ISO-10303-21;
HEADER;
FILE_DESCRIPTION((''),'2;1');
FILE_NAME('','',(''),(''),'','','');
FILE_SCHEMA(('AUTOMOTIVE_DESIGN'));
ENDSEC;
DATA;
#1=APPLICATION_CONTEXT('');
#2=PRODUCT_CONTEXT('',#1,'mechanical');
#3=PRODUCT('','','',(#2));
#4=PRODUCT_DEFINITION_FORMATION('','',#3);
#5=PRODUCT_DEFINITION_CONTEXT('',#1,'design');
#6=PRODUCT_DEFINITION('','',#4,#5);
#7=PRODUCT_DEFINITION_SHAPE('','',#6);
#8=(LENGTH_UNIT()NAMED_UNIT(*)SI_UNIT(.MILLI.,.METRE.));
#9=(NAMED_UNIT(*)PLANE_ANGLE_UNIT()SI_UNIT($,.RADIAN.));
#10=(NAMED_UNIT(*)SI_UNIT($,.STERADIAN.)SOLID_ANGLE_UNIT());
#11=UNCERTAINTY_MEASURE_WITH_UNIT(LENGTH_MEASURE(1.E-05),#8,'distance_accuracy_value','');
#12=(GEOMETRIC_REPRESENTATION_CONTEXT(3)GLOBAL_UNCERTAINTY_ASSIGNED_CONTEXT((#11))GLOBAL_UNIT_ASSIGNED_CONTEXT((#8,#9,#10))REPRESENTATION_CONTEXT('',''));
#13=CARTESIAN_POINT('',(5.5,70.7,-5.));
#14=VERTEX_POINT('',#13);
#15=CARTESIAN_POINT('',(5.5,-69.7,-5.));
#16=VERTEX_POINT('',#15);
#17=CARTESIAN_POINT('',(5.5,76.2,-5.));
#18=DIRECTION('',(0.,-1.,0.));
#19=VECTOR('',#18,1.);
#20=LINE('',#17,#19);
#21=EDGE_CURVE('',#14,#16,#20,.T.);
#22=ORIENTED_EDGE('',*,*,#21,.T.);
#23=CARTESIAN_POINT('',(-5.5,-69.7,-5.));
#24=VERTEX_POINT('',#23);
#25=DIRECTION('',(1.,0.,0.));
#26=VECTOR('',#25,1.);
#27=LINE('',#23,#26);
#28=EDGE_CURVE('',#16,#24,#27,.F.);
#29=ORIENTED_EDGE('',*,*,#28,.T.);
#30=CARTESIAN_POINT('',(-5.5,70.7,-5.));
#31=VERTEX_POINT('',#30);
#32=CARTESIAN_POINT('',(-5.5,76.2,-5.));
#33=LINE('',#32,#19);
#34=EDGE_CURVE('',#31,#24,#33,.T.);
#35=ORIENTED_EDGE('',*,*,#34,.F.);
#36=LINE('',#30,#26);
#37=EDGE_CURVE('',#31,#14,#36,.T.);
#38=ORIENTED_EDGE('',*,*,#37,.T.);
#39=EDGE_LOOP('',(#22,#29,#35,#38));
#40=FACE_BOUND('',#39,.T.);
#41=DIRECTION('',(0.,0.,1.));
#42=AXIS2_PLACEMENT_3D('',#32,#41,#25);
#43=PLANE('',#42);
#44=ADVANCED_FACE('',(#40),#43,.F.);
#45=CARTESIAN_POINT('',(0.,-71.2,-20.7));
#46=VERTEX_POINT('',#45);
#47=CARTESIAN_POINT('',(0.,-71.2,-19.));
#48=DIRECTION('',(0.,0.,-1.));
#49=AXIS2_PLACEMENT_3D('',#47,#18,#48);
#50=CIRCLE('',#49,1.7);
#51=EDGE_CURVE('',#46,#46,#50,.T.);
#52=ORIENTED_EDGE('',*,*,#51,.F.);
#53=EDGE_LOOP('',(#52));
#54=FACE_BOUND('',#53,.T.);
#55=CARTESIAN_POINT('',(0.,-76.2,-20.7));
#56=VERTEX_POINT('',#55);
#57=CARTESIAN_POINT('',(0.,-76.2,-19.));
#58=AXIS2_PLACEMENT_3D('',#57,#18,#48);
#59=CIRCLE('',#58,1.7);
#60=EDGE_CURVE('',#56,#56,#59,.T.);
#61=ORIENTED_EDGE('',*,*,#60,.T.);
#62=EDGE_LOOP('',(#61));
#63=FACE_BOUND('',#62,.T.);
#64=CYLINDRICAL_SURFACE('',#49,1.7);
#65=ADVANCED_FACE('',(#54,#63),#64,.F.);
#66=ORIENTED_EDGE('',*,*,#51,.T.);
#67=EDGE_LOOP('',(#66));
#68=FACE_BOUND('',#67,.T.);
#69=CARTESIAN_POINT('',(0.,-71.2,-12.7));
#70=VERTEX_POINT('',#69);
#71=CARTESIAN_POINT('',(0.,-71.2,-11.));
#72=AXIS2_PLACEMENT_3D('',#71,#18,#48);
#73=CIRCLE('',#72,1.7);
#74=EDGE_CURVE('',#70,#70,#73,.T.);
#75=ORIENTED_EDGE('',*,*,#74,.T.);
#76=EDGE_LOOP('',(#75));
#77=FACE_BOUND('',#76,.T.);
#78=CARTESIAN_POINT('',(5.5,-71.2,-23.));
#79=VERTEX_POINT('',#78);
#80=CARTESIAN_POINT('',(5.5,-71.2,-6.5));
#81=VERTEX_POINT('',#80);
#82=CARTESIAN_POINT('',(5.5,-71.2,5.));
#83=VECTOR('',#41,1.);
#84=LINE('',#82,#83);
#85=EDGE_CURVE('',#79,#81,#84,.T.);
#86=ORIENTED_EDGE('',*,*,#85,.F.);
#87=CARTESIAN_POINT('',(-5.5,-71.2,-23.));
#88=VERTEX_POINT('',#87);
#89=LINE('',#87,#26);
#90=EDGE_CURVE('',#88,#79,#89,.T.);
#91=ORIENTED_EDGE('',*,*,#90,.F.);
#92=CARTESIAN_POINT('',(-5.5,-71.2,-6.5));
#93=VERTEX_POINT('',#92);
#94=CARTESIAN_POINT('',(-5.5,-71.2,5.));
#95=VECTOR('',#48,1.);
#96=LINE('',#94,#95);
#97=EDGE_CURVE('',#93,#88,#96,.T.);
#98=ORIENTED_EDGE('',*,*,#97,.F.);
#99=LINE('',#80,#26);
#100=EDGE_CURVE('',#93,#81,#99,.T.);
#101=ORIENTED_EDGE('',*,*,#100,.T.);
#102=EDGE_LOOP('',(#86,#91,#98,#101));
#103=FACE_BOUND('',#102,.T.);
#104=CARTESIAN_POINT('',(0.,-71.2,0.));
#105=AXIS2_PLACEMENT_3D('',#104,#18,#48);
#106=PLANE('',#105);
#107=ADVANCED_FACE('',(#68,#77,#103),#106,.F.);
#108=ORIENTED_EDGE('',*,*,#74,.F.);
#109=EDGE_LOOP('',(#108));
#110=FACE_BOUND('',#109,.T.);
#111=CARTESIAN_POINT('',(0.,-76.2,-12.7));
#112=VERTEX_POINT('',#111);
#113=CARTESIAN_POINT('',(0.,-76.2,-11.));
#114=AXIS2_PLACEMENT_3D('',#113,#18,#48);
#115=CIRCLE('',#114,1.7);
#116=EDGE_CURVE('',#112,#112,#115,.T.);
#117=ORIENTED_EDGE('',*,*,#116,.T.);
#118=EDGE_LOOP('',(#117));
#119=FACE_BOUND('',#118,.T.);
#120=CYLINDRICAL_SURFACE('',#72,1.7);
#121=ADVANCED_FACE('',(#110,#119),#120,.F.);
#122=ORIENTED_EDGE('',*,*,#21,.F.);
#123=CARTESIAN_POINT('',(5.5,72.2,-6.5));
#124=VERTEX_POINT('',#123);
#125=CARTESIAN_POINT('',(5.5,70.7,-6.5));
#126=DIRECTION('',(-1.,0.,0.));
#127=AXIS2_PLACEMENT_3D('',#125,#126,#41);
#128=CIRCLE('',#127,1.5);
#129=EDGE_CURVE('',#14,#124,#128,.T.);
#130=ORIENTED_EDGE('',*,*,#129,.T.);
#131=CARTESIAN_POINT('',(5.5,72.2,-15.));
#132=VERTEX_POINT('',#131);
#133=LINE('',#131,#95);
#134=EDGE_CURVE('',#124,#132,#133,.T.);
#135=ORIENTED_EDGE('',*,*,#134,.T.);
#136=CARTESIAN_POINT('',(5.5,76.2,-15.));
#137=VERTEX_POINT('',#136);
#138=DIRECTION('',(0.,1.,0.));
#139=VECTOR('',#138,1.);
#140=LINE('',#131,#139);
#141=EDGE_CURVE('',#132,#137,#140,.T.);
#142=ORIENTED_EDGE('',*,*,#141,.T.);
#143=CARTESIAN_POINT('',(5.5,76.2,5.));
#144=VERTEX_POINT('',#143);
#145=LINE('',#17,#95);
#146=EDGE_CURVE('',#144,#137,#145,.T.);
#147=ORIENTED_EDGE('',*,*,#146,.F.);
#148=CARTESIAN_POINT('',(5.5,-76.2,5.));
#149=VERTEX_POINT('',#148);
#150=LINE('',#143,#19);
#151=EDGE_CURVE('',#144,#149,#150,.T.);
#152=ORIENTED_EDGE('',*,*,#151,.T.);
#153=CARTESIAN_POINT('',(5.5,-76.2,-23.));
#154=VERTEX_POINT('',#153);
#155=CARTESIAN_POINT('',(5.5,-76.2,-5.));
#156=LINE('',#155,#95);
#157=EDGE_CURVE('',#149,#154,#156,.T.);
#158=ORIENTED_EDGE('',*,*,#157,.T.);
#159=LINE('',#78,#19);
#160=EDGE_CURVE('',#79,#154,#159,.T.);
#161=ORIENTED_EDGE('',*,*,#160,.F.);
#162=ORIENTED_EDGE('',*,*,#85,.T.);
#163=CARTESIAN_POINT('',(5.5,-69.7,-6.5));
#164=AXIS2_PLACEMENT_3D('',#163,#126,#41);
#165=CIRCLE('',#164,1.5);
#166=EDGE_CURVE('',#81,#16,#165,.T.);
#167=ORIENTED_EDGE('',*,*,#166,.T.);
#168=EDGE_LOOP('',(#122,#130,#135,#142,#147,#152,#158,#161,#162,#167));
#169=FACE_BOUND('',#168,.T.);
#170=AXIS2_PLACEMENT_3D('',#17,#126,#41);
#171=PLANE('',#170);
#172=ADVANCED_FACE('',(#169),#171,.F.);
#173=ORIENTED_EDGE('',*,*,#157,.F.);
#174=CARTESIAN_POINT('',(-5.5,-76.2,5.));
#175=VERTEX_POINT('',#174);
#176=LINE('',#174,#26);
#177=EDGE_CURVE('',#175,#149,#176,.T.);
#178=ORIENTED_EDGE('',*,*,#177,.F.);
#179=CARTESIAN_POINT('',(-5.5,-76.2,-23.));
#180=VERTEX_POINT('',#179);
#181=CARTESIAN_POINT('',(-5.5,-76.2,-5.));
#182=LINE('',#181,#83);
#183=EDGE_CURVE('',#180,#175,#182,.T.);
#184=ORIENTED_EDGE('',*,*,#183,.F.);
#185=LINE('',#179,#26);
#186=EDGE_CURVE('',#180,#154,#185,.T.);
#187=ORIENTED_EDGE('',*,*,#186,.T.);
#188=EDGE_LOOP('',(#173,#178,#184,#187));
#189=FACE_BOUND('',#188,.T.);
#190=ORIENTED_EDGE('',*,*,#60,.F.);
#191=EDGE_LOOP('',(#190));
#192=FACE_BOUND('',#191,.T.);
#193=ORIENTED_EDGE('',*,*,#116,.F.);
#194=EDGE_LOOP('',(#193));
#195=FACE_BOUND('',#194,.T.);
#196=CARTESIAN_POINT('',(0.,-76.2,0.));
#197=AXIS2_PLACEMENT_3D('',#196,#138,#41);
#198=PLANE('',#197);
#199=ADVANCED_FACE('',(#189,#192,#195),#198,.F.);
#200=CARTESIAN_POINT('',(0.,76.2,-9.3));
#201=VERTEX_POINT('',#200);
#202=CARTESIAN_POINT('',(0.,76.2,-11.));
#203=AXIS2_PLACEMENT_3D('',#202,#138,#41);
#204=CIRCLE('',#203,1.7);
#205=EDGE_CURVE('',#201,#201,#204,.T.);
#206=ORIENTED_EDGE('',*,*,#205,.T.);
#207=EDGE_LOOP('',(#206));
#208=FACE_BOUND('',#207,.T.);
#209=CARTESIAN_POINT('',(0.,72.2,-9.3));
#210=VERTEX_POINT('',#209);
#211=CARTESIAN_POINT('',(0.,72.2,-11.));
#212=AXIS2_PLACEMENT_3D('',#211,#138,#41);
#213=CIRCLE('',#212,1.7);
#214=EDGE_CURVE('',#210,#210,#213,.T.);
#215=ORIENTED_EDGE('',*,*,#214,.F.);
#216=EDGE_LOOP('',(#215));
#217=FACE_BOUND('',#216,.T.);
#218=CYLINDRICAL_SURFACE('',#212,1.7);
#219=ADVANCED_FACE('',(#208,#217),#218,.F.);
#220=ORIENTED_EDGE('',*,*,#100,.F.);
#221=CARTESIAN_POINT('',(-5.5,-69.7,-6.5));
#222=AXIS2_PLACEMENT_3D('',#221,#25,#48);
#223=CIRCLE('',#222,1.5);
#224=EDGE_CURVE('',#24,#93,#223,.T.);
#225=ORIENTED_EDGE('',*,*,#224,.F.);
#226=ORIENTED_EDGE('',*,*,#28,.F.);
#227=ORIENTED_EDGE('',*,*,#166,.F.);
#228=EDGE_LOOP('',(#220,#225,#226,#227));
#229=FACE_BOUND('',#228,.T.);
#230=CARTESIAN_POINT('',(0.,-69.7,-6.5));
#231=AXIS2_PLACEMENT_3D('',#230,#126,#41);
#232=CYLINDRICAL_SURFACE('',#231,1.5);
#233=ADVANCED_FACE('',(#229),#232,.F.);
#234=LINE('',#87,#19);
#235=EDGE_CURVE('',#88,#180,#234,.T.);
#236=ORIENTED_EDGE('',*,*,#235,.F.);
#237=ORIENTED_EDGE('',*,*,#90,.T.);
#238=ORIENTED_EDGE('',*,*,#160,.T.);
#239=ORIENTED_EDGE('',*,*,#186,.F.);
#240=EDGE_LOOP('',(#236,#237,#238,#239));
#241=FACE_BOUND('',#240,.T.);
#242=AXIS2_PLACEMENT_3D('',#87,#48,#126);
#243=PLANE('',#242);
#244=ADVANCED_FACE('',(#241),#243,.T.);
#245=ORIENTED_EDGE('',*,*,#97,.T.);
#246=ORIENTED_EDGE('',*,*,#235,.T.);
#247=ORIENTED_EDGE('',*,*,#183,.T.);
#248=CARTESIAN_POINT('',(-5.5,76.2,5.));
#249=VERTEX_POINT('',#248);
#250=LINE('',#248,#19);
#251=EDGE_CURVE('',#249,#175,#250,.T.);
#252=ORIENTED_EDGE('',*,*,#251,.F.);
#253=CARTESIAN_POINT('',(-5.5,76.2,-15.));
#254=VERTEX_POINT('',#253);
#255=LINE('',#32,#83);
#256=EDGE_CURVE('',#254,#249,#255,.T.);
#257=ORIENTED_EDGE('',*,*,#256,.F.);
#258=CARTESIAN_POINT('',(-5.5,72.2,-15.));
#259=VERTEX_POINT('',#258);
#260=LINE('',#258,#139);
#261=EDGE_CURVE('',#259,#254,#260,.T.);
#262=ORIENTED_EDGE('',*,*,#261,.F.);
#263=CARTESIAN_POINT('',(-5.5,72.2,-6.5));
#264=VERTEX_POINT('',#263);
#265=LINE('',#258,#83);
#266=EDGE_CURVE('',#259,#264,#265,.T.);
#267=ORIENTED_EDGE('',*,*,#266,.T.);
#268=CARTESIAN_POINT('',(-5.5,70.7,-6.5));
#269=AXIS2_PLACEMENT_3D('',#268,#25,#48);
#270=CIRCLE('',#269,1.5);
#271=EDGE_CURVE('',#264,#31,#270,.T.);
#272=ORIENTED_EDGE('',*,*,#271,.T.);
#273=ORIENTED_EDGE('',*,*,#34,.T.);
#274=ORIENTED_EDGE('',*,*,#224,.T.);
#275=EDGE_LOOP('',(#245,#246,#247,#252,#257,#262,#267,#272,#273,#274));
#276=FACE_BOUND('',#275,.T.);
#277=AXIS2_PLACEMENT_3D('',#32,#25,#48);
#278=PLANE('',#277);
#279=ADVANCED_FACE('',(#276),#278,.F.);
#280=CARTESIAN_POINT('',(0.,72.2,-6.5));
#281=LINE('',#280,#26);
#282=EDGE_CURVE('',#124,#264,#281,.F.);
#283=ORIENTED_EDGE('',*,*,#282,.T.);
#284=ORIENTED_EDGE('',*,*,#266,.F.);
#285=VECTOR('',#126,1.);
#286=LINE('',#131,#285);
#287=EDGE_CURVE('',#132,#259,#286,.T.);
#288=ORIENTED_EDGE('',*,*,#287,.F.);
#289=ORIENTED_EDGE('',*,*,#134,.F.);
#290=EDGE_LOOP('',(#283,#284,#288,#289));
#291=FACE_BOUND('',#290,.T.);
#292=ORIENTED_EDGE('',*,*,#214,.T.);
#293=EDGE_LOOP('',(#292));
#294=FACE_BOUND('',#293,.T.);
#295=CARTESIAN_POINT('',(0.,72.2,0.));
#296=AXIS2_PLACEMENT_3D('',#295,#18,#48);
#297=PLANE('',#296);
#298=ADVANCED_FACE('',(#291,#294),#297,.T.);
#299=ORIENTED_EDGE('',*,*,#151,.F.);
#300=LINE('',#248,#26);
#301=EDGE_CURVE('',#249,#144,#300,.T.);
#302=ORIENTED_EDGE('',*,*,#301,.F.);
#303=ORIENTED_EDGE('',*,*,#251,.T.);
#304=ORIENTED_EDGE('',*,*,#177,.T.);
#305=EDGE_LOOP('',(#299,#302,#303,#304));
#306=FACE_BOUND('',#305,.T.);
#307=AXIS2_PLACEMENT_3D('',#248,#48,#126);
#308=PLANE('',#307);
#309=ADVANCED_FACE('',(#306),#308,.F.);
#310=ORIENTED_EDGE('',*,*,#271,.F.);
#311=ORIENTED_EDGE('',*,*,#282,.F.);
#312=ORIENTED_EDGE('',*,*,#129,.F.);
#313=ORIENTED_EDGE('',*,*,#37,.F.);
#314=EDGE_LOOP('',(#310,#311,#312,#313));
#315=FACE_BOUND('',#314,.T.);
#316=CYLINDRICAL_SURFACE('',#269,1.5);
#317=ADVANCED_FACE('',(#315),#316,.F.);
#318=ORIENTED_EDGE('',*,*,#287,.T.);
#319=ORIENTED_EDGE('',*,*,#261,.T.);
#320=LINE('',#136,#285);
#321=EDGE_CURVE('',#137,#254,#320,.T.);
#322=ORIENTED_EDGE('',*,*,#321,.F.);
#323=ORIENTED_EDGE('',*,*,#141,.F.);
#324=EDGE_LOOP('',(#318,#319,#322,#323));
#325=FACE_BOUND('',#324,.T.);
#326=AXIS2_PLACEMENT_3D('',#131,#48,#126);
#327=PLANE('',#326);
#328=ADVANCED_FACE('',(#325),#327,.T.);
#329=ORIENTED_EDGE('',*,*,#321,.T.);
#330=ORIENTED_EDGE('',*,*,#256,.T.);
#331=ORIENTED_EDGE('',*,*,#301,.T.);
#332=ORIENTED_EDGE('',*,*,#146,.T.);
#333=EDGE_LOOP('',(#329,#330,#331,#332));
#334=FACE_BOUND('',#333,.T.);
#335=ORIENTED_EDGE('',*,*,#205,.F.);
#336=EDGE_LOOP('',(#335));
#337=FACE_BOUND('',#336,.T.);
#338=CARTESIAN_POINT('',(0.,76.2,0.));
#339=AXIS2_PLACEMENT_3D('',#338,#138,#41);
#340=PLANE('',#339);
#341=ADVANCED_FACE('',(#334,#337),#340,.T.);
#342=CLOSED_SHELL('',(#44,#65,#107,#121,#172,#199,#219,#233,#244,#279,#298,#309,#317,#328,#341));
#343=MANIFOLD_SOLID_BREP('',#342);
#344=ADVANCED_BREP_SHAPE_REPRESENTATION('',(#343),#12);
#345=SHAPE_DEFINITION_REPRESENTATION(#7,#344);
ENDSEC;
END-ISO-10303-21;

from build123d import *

# Parameters (mm, degrees)
SKETCH1_W           = 11
SKETCH1_H           = 10
BOSS_EXTRUDE1_DEPTH = 76.2
SKETCH3_W           = 11
SKETCH3_H           = 20
SKETCH3_R           = 1.7
BOSS_EXTRUDE3_DEPTH = 4
BOSS_EXTRUDE4_START = -5
SKETCH4_W           = 11
SKETCH4_H           = 28
SKETCH4_R           = 1.7
BOSS_EXTRUDE4_DEPTH = 5
FILLET1_R           = 1.5


with BuildPart() as part:
    # Sketch1 → Boss-Extrude1 (new, symmetric)
    with BuildSketch(Plane(origin=(0, 0, 0), x_dir=(1, 0, 0), z_dir=(0, 1, 0))):
        Rectangle(SKETCH1_W, SKETCH1_H)
    extrude(amount=BOSS_EXTRUDE1_DEPTH, both=True)

    # Sketch3 → Boss-Extrude3 (add)
    with BuildSketch(Plane(origin=(0, 76.2, 0), x_dir=(1, 0, 0), z_dir=(0, 1, 0))):
        with Locations((0, 5)):
            Rectangle(SKETCH3_W, SKETCH3_H)
        with Locations(Location((0, 11, 0), (0, 0, 270))):
            Circle(SKETCH3_R, mode=Mode.SUBTRACT)
    extrude(amount=-BOSS_EXTRUDE3_DEPTH)

    # Sketch4 → Boss-Extrude4 (add)
    with BuildSketch(Plane.XZ.offset(76.2).offset(BOSS_EXTRUDE4_START)):
        with Locations((0, -9)):
            Rectangle(SKETCH4_W, SKETCH4_H)
        with Locations(Location((0, -11, 0), (0, 0, 90))):
            Circle(SKETCH4_R, mode=Mode.SUBTRACT)
        with Locations(Location((0, -19, 0), (0, 0, 270))):
            Circle(SKETCH4_R, mode=Mode.SUBTRACT)
    extrude(amount=BOSS_EXTRUDE4_DEPTH)

    # Fillet1
    fillet1_edges = [part.edges().sort_by_distance(p)[0] for p in [
        (0, 72.2, -5),
        (0, -71.2, -5),
    ]]
    fillet(fillet1_edges, radius=FILLET1_R)


solid = part.part
